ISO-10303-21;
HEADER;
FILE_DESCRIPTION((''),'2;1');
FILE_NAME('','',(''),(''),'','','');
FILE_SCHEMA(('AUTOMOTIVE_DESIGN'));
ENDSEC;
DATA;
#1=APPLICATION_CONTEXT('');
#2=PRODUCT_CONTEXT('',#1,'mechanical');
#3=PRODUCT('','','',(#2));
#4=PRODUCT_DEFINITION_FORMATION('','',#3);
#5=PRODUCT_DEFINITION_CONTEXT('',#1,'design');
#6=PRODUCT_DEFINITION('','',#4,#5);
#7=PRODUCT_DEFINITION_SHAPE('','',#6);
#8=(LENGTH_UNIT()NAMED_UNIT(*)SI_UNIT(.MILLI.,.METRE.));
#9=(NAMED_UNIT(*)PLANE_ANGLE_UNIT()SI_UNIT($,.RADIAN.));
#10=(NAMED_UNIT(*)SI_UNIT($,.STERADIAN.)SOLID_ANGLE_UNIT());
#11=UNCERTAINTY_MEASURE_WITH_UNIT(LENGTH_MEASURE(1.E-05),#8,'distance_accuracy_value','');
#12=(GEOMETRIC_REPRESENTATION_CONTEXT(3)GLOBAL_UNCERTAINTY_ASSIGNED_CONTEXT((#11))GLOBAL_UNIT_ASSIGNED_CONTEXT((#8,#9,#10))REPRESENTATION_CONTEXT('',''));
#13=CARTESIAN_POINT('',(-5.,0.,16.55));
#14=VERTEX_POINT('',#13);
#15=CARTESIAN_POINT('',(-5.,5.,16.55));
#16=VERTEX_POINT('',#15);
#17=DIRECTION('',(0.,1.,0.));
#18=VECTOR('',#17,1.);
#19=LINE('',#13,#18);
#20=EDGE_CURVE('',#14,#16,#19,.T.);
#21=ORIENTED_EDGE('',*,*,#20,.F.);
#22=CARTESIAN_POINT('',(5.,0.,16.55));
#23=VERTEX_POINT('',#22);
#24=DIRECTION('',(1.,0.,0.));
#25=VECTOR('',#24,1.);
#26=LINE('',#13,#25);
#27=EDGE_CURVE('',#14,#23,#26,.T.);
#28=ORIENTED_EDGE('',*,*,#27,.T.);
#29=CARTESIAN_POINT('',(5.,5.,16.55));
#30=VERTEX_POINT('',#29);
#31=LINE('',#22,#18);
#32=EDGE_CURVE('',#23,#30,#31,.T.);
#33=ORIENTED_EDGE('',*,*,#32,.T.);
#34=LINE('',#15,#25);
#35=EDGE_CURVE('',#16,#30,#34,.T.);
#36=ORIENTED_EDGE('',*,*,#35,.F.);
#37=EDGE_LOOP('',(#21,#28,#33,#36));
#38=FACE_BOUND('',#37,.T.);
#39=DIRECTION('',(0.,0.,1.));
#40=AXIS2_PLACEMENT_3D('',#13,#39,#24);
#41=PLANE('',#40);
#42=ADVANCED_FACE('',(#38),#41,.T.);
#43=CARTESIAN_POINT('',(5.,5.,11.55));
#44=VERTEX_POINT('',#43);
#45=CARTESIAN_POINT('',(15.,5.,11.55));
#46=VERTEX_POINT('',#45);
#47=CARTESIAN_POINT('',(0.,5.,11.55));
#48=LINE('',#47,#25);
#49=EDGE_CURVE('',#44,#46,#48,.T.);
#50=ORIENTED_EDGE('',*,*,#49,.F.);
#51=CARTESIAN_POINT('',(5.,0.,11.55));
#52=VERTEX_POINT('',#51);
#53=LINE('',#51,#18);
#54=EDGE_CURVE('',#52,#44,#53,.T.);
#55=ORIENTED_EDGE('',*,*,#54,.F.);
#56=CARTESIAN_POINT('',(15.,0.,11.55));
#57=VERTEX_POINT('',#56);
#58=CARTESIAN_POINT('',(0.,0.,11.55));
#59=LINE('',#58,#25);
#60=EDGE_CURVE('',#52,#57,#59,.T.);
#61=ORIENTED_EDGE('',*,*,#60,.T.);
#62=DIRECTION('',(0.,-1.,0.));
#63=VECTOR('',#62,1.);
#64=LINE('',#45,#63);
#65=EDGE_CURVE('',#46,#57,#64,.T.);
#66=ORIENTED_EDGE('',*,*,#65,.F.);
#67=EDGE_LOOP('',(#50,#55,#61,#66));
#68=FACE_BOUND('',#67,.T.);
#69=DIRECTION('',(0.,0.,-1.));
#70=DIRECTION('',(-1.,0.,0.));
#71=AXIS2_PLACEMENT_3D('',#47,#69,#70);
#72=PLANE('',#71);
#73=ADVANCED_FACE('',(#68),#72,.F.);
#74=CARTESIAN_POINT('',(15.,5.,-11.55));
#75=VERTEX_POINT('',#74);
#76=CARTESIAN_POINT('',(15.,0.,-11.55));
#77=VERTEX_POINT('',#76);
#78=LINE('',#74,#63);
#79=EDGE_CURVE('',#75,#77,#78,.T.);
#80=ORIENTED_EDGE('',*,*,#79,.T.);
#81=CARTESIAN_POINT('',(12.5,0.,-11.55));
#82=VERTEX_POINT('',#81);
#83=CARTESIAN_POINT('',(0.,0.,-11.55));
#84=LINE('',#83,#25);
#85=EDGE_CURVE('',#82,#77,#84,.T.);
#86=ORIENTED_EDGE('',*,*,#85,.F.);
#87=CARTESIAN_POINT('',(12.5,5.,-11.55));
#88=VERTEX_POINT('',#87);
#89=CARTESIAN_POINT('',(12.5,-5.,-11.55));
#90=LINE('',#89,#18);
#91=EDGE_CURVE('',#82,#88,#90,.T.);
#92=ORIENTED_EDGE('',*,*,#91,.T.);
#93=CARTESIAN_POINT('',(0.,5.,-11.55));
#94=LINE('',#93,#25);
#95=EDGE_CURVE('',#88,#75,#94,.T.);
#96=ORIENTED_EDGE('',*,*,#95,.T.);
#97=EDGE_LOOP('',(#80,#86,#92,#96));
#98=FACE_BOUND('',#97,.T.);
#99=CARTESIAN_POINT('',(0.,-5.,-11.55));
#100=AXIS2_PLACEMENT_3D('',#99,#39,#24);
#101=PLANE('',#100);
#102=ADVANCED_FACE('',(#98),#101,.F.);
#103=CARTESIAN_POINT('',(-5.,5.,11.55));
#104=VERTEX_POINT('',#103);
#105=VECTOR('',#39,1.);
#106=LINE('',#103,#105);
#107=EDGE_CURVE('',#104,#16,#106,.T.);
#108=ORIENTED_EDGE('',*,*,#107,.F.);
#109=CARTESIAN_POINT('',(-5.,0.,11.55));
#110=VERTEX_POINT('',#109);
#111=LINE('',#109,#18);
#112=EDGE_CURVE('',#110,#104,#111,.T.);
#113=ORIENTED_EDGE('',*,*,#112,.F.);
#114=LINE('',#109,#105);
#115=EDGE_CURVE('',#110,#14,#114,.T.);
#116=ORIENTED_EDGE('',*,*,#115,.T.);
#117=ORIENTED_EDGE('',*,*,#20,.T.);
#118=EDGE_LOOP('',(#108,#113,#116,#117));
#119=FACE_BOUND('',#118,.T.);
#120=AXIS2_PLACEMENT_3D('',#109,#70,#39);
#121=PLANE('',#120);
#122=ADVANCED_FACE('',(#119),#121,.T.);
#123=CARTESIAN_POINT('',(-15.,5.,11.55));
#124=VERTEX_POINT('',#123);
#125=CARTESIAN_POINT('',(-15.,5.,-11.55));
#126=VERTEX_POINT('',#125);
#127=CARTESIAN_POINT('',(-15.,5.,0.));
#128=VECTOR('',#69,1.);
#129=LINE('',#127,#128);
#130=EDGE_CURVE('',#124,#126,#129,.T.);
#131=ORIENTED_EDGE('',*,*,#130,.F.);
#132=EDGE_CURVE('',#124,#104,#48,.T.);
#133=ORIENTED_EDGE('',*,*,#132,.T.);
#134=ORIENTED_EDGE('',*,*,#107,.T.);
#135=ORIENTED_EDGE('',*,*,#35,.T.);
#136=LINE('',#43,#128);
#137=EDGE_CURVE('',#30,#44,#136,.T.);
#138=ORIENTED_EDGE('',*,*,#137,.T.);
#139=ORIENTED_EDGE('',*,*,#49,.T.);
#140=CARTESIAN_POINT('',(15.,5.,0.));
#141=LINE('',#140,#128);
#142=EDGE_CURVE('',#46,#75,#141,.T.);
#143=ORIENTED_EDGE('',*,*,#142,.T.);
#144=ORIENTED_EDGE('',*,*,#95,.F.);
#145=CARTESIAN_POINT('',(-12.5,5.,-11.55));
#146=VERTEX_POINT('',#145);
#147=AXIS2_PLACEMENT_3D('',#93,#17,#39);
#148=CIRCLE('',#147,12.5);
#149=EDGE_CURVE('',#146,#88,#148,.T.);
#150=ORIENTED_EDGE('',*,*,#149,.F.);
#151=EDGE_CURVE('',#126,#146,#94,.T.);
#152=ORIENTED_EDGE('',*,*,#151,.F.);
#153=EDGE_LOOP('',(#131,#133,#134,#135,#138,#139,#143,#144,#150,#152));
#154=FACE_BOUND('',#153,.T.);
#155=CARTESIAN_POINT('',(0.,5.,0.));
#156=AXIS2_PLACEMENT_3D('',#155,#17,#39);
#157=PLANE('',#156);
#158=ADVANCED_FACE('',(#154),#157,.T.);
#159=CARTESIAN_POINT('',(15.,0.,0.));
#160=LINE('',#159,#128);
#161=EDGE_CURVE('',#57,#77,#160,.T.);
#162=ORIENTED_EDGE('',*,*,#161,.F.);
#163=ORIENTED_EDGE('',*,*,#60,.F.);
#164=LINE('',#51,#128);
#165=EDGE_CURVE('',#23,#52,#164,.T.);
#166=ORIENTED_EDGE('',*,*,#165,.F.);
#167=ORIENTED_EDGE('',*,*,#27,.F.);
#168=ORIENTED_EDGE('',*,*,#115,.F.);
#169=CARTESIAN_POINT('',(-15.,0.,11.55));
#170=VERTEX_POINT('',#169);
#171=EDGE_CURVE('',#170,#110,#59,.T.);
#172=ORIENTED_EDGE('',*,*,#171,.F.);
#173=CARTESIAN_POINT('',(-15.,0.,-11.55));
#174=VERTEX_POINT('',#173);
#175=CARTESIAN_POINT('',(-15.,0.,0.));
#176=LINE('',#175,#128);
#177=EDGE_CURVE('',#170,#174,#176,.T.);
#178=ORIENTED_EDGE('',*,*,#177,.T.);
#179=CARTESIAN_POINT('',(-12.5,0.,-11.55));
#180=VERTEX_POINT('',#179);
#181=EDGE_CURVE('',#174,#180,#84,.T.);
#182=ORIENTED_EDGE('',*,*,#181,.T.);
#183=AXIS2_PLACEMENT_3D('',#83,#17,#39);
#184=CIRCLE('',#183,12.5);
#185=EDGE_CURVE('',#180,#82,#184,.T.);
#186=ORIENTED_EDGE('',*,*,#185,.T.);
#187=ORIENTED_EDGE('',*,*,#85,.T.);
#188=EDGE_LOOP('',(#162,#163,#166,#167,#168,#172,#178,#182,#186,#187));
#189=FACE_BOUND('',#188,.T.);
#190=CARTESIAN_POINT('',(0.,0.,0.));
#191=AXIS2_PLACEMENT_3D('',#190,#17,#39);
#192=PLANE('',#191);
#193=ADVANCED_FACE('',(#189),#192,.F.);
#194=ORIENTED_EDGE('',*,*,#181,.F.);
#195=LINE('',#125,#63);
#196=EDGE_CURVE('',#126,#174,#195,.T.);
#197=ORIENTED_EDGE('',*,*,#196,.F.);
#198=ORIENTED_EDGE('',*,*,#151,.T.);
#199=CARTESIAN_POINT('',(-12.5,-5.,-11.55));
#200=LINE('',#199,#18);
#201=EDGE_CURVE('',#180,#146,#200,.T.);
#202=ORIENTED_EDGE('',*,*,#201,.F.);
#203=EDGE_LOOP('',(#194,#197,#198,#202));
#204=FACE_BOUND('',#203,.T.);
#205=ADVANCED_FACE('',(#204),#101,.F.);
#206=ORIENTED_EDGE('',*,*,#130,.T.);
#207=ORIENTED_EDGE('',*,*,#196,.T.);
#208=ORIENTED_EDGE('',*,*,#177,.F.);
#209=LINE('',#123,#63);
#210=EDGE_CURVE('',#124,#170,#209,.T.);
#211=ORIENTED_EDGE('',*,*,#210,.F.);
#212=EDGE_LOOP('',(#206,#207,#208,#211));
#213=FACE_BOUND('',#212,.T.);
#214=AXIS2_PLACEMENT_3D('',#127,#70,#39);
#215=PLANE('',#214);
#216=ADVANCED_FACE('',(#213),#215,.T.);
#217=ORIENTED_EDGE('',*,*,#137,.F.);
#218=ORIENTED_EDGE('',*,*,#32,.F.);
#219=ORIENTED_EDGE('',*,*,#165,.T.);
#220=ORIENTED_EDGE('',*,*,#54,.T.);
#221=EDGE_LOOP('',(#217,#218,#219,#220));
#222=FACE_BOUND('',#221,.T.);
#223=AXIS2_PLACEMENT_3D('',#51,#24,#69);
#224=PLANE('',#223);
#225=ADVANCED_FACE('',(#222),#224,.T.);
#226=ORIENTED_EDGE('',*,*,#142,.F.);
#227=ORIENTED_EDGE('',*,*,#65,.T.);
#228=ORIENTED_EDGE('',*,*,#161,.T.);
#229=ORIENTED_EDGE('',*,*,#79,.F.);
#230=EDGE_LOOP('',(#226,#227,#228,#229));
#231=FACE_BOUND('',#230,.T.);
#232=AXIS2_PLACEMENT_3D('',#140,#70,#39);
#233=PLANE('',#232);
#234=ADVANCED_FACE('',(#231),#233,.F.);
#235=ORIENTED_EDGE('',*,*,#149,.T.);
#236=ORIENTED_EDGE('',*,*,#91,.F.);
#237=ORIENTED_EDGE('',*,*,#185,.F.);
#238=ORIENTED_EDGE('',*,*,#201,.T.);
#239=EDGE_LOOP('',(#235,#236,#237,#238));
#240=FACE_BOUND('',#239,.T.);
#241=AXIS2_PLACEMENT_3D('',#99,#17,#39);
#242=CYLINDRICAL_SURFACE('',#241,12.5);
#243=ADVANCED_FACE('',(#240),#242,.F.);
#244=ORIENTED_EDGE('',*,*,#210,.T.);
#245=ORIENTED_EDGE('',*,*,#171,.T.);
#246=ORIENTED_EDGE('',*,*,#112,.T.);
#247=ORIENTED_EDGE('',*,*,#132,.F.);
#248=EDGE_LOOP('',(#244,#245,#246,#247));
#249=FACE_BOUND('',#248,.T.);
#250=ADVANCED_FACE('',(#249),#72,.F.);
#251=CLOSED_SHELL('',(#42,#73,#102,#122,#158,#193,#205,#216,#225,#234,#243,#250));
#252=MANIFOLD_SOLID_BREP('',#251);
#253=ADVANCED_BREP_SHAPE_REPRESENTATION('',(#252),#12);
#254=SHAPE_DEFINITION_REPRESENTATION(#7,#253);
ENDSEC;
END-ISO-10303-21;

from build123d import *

# Parameters (mm, degrees)
EXTRUDE_1_DEPTH     = 5
SKETCH_2_R          = 12.5
SKETCH_2_R_2        = 1.5
SKETCH_2_R_3        = 4
EXTRUDE_2_DEPTH     = 5
SKETCH_3_W          = 10
SKETCH_3_H          = 5
EXTRUDE_3_DEPTH     = 5
CUT_EXTRUDE_1_DEPTH = 10


with BuildPart() as part:
    # 草图1 → 凸台-拉伸1 (new body)
    with BuildSketch(Plane(origin=(0, 0, 0), x_dir=(1, 0, 0), z_dir=(0, 1, 0))):
        with BuildLine():
            ThreePointArc((15, 11.55), (0, 26.55), (-15, 11.55))
            Line((-15, 11.55), (-12.5, 11.55))
            ThreePointArc((-12.5, 11.55), (0, 24.05), (12.5, 11.55))
            Line((12.5, 11.55), (15, 11.55))
        make_face()
        with BuildLine():
            Line((-12.5, 11.55), (-15, 11.55))
            ThreePointArc((-15, 11.55), (0, -3.45), (15, 11.55))
            Line((15, 11.55), (12.5, 11.55))
            ThreePointArc((12.5, 11.55), (0, -0.95), (-12.5, 11.55))
        make_face()
        with BuildLine():
            ThreePointArc((15, 11.55), (0, 26.55), (-15, 11.55))
            Line((-15, 11.55), (-12.5, 11.55))
            ThreePointArc((-12.5, 11.55), (0, 24.05), (12.5, 11.55))
            Line((12.5, 11.55), (15, 11.55))
        make_face()
        with BuildLine():
            Line((-12.5, 11.55), (-15, 11.55))
            ThreePointArc((-15, 11.55), (0, -3.45), (15, 11.55))
            Line((15, 11.55), (12.5, 11.55))
            ThreePointArc((12.5, 11.55), (0, -0.95), (-12.5, 11.55))
        make_face()
        with BuildLine():
            Line((-15, 11.55), (-15, -11.55))
            Line((-15, -11.55), (15, -11.55))
            Line((15, -11.55), (15, 11.55))
            ThreePointArc((15, 11.55), (0, -3.45), (-15, 11.55))
        make_face()
    extrude(amount=EXTRUDE_1_DEPTH)

    # 草图2 → 凸台-拉伸2 (add)
    with BuildSketch(Plane(origin=(0, 5, 0), x_dir=(1, 0, 0), z_dir=(0, 1, 0))):
        with Locations((0, 11.55)):
            Circle(SKETCH_2_R)
        with Locations((-8.5, 11.55)):
            Circle(SKETCH_2_R_2, mode=Mode.SUBTRACT)
        with Locations((8.5, 11.55)):
            Circle(SKETCH_2_R_2, mode=Mode.SUBTRACT)
        with Locations((0, 11.55)):
            Circle(SKETCH_2_R_3, mode=Mode.SUBTRACT)
    extrude(amount=-EXTRUDE_2_DEPTH)

    # 草图3 → 凸台-拉伸3 (add)
    with BuildSketch(Plane(origin=(0, 5, 0), x_dir=(1, 0, 0), z_dir=(0, 1, 0))):
        with Locations((0, -14.05)):
            Rectangle(SKETCH_3_W, SKETCH_3_H)
    extrude(amount=-EXTRUDE_3_DEPTH)

    # 草图4 → 切除-拉伸1 (cut)
    with BuildSketch(Plane(origin=(0, 5, 0), x_dir=(1, 0, 0), z_dir=(0, 1, 0))):
        with BuildLine():
            ThreePointArc((15, 11.55), (0, 26.55), (-15, 11.55))
            Line((-15, 11.55), (-12.5, 11.55))
            ThreePointArc((-12.5, 11.55), (0, 24.05), (12.5, 11.55))
            Line((12.5, 11.55), (15, 11.55))
        make_face()
        with BuildLine():
            ThreePointArc((12.5, 11.55), (0, 24.05), (-12.5, 11.55))
            Line((-12.5, 11.55), (-10, 11.55))
            ThreePointArc((-10, 11.55), (-8.5, 13.05), (-7, 11.55))
            Line((-7, 11.55), (-4, 11.55))
            ThreePointArc((-4, 11.55), (0, 15.55), (4, 11.55))
            Line((4, 11.55), (7, 11.55))
            ThreePointArc((7, 11.55), (8.5, 13.05), (10, 11.55))
            Line((10, 11.55), (12.5, 11.55))
        make_face()
        with BuildLine():
            Line((-10, 11.55), (-12.5, 11.55))
            ThreePointArc((-12.5, 11.55), (0, -0.95), (12.5, 11.55))
            Line((12.5, 11.55), (10, 11.55))
            ThreePointArc((10, 11.55), (8.5, 10.05), (7, 11.55))
            Line((7, 11.55), (4, 11.55))
            ThreePointArc((4, 11.55), (0, 7.55), (-4, 11.55))
            Line((-4, 11.55), (-7, 11.55))
            ThreePointArc((-7, 11.55), (-8.5, 10.05), (-10, 11.55))
        make_face()
        with BuildLine():
            ThreePointArc((12.5, 11.55), (0, 24.05), (-12.5, 11.55))
            Line((-12.5, 11.55), (-10, 11.55))
            ThreePointArc((-10, 11.55), (-8.5, 13.05), (-7, 11.55))
            Line((-7, 11.55), (-4, 11.55))
            ThreePointArc((-4, 11.55), (0, 15.55), (4, 11.55))
            Line((4, 11.55), (7, 11.55))
            ThreePointArc((7, 11.55), (8.5, 13.05), (10, 11.55))
            Line((10, 11.55), (12.5, 11.55))
        make_face()
        with BuildLine():
            Line((-10, 11.55), (-12.5, 11.55))
            ThreePointArc((-12.5, 11.55), (0, -0.95), (12.5, 11.55))
            Line((12.5, 11.55), (10, 11.55))
            ThreePointArc((10, 11.55), (8.5, 10.05), (7, 11.55))
            Line((7, 11.55), (4, 11.55))
            ThreePointArc((4, 11.55), (0, 7.55), (-4, 11.55))
            Line((-4, 11.55), (-7, 11.55))
            ThreePointArc((-7, 11.55), (-8.5, 10.05), (-10, 11.55))
        make_face()
    extrude(amount=-CUT_EXTRUDE_1_DEPTH, mode=Mode.SUBTRACT)


solid = part.part
